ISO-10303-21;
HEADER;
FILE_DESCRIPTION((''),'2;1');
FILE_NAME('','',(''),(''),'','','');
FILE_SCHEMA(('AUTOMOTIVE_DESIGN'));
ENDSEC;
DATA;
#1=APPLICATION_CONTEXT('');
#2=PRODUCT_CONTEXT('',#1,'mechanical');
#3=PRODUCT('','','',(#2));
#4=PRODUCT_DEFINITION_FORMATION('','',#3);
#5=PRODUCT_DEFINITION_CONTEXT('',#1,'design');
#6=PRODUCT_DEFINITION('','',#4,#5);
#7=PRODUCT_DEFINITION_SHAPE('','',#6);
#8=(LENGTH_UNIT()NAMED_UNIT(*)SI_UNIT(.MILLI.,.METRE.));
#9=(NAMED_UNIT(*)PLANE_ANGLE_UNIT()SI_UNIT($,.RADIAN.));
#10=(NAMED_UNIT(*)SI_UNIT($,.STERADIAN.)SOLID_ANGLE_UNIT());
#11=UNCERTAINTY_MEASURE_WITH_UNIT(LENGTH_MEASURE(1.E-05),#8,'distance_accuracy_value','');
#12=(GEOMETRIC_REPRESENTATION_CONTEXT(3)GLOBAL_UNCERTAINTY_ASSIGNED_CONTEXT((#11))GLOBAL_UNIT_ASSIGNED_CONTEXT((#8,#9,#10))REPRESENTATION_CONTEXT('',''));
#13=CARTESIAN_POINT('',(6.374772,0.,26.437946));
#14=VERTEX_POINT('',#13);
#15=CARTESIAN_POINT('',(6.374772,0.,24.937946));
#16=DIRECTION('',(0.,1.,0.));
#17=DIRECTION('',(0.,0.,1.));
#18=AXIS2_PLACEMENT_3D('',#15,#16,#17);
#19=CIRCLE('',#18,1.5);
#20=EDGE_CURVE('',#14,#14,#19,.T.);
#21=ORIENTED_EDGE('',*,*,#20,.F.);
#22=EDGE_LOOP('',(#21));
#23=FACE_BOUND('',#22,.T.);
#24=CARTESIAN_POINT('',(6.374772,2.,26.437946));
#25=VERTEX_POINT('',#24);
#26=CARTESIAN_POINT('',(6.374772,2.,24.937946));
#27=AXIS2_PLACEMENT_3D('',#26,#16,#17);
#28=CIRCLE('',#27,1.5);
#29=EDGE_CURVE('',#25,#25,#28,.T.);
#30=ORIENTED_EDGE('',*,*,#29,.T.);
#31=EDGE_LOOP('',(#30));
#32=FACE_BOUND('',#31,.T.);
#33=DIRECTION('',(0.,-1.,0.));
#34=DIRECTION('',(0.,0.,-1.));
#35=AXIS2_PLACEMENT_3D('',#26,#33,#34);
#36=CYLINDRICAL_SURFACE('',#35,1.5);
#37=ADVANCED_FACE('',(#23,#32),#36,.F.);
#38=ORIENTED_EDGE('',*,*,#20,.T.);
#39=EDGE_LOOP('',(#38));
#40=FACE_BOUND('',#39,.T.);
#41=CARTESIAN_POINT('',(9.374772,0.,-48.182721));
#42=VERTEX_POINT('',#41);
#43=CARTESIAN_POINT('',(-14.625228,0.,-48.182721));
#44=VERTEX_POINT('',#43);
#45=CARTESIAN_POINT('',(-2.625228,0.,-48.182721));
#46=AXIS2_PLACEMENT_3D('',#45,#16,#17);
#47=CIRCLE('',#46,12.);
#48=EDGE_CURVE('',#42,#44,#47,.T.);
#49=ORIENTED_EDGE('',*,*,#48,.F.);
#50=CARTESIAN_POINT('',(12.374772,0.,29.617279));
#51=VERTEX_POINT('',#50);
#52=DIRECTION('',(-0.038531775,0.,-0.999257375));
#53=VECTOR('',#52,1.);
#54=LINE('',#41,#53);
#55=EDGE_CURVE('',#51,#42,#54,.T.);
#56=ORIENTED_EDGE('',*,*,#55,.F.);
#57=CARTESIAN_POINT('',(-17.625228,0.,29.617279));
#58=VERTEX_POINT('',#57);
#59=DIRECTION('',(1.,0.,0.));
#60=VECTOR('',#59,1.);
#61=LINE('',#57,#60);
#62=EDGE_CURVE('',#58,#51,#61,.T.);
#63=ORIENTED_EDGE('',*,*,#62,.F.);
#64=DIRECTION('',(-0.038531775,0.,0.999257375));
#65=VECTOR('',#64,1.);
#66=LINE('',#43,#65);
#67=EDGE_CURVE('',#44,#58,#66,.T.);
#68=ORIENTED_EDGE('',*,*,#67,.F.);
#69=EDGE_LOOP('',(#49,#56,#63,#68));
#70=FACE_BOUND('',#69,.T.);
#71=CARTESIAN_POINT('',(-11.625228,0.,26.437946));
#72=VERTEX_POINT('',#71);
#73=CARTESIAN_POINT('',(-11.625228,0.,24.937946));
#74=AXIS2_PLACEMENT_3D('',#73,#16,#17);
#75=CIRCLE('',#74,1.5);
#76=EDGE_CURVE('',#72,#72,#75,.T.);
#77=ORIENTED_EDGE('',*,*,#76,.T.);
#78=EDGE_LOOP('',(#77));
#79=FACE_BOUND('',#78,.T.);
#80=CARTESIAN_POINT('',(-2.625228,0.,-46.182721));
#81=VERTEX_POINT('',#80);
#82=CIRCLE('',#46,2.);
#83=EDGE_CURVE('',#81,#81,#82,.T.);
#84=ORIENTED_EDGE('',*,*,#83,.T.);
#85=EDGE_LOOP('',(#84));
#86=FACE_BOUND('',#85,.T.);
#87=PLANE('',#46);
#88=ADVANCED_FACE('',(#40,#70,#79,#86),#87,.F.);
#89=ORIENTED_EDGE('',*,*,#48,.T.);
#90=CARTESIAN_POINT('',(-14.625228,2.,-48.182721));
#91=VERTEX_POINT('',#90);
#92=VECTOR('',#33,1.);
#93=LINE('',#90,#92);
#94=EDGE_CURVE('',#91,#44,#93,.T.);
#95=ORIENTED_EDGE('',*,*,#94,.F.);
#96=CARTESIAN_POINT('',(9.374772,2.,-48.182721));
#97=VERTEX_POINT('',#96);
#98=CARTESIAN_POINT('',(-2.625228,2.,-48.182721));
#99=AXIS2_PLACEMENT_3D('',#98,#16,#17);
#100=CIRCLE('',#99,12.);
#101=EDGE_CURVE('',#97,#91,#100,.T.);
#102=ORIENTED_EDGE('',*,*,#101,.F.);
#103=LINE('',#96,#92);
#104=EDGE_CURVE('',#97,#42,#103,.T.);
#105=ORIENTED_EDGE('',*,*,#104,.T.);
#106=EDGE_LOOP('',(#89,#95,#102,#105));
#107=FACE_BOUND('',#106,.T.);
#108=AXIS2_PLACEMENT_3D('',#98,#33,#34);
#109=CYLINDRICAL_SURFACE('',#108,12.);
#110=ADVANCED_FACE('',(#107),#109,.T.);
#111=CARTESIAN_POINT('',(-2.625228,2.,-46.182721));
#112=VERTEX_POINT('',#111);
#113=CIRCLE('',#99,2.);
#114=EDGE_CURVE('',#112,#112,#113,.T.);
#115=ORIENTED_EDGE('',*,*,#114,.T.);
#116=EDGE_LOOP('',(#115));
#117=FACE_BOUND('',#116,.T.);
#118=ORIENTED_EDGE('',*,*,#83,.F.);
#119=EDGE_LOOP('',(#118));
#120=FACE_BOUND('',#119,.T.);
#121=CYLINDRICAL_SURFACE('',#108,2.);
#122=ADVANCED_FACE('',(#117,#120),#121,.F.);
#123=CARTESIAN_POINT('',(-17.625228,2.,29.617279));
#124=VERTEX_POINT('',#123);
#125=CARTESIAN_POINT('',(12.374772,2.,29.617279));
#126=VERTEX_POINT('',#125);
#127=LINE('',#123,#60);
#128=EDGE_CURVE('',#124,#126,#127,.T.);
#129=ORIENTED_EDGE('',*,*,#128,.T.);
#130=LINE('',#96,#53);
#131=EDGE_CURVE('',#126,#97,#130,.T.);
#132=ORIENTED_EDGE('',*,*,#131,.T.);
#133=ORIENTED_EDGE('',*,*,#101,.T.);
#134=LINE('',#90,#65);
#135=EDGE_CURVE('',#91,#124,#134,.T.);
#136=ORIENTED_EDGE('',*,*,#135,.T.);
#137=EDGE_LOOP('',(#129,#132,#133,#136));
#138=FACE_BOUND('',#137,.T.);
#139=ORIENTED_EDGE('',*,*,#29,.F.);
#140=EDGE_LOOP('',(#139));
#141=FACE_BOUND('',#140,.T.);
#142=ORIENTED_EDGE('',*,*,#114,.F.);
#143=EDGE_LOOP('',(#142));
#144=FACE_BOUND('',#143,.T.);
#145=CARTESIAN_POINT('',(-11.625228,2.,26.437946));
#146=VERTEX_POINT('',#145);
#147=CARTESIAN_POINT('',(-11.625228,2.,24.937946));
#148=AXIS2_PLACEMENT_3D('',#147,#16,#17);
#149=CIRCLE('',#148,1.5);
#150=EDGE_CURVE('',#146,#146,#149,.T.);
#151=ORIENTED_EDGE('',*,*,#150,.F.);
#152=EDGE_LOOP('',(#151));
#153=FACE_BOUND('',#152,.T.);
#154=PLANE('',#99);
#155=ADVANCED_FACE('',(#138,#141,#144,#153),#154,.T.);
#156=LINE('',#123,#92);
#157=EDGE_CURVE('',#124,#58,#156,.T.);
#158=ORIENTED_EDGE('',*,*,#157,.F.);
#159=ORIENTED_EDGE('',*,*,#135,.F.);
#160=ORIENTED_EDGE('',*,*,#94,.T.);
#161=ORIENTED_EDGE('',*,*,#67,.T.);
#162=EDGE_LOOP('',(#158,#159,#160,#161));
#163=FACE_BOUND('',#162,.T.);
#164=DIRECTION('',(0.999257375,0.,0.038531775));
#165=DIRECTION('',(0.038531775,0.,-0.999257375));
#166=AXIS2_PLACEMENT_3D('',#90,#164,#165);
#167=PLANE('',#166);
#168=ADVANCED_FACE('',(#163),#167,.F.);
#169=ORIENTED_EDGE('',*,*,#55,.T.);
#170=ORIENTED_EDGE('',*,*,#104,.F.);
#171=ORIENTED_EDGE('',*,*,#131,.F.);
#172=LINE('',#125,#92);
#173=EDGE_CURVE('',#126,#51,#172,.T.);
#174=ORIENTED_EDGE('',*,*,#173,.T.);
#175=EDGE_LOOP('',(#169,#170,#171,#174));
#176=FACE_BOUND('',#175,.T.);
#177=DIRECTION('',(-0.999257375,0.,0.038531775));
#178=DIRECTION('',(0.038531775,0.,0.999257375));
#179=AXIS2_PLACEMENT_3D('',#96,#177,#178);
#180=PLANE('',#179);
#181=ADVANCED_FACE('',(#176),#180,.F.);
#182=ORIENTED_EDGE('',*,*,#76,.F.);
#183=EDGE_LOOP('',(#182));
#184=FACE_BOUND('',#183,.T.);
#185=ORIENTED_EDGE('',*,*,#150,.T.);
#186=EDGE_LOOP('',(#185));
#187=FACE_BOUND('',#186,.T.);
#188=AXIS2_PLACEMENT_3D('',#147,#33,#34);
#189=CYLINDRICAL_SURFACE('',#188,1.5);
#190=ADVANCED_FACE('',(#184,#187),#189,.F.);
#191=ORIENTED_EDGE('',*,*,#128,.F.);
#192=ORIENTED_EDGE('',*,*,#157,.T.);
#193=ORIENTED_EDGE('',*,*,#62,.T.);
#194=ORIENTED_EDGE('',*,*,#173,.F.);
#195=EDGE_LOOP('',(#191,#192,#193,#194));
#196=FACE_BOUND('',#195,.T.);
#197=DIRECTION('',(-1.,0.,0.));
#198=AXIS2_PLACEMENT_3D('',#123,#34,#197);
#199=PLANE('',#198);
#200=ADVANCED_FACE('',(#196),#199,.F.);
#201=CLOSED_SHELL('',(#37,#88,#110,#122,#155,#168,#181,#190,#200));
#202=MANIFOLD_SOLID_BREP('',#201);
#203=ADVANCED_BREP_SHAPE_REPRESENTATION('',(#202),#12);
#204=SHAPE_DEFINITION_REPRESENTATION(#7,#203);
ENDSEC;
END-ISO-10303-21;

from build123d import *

# Parameters (mm, degrees)
SKETCH_1_R      = 1.5
SKETCH_1_R_2    = 2
EXTRUDE_1_DEPTH = 2


with BuildPart() as part:
    # Эскиз1 → Бобышка-Вытянуть1 (new body)
    with BuildSketch(Plane(origin=(0, 0, 0), x_dir=(1, 0, 0), z_dir=(0, 1, 0))):
        with BuildLine():
            Line((-17.625227915, -29.617278809), (12.374772085, -29.617278809))
            Line((12.374772085, -29.617278809), (9.374772085, 48.182721191))
            ThreePointArc((9.374772085, 48.182721191), (-2.625227915, 60.182721191), (-14.625227915, 48.182721191))
            Line((-14.625227915, 48.182721191), (-17.625227915, -29.617278809))
        make_face()
        with Locations(Location((-11.625227915, -24.937945637, 0), (0, 0, 270))):
            Circle(SKETCH_1_R, mode=Mode.SUBTRACT)
        with Locations(Location((6.374772085, -24.937945637, 0), (0, 0, 270))):
            Circle(SKETCH_1_R, mode=Mode.SUBTRACT)
        with Locations(Location((-2.625227915, 48.182721191, 0), (0, 0, 270))):
            Circle(SKETCH_1_R_2, mode=Mode.SUBTRACT)
    extrude(amount=EXTRUDE_1_DEPTH)


solid = part.part
